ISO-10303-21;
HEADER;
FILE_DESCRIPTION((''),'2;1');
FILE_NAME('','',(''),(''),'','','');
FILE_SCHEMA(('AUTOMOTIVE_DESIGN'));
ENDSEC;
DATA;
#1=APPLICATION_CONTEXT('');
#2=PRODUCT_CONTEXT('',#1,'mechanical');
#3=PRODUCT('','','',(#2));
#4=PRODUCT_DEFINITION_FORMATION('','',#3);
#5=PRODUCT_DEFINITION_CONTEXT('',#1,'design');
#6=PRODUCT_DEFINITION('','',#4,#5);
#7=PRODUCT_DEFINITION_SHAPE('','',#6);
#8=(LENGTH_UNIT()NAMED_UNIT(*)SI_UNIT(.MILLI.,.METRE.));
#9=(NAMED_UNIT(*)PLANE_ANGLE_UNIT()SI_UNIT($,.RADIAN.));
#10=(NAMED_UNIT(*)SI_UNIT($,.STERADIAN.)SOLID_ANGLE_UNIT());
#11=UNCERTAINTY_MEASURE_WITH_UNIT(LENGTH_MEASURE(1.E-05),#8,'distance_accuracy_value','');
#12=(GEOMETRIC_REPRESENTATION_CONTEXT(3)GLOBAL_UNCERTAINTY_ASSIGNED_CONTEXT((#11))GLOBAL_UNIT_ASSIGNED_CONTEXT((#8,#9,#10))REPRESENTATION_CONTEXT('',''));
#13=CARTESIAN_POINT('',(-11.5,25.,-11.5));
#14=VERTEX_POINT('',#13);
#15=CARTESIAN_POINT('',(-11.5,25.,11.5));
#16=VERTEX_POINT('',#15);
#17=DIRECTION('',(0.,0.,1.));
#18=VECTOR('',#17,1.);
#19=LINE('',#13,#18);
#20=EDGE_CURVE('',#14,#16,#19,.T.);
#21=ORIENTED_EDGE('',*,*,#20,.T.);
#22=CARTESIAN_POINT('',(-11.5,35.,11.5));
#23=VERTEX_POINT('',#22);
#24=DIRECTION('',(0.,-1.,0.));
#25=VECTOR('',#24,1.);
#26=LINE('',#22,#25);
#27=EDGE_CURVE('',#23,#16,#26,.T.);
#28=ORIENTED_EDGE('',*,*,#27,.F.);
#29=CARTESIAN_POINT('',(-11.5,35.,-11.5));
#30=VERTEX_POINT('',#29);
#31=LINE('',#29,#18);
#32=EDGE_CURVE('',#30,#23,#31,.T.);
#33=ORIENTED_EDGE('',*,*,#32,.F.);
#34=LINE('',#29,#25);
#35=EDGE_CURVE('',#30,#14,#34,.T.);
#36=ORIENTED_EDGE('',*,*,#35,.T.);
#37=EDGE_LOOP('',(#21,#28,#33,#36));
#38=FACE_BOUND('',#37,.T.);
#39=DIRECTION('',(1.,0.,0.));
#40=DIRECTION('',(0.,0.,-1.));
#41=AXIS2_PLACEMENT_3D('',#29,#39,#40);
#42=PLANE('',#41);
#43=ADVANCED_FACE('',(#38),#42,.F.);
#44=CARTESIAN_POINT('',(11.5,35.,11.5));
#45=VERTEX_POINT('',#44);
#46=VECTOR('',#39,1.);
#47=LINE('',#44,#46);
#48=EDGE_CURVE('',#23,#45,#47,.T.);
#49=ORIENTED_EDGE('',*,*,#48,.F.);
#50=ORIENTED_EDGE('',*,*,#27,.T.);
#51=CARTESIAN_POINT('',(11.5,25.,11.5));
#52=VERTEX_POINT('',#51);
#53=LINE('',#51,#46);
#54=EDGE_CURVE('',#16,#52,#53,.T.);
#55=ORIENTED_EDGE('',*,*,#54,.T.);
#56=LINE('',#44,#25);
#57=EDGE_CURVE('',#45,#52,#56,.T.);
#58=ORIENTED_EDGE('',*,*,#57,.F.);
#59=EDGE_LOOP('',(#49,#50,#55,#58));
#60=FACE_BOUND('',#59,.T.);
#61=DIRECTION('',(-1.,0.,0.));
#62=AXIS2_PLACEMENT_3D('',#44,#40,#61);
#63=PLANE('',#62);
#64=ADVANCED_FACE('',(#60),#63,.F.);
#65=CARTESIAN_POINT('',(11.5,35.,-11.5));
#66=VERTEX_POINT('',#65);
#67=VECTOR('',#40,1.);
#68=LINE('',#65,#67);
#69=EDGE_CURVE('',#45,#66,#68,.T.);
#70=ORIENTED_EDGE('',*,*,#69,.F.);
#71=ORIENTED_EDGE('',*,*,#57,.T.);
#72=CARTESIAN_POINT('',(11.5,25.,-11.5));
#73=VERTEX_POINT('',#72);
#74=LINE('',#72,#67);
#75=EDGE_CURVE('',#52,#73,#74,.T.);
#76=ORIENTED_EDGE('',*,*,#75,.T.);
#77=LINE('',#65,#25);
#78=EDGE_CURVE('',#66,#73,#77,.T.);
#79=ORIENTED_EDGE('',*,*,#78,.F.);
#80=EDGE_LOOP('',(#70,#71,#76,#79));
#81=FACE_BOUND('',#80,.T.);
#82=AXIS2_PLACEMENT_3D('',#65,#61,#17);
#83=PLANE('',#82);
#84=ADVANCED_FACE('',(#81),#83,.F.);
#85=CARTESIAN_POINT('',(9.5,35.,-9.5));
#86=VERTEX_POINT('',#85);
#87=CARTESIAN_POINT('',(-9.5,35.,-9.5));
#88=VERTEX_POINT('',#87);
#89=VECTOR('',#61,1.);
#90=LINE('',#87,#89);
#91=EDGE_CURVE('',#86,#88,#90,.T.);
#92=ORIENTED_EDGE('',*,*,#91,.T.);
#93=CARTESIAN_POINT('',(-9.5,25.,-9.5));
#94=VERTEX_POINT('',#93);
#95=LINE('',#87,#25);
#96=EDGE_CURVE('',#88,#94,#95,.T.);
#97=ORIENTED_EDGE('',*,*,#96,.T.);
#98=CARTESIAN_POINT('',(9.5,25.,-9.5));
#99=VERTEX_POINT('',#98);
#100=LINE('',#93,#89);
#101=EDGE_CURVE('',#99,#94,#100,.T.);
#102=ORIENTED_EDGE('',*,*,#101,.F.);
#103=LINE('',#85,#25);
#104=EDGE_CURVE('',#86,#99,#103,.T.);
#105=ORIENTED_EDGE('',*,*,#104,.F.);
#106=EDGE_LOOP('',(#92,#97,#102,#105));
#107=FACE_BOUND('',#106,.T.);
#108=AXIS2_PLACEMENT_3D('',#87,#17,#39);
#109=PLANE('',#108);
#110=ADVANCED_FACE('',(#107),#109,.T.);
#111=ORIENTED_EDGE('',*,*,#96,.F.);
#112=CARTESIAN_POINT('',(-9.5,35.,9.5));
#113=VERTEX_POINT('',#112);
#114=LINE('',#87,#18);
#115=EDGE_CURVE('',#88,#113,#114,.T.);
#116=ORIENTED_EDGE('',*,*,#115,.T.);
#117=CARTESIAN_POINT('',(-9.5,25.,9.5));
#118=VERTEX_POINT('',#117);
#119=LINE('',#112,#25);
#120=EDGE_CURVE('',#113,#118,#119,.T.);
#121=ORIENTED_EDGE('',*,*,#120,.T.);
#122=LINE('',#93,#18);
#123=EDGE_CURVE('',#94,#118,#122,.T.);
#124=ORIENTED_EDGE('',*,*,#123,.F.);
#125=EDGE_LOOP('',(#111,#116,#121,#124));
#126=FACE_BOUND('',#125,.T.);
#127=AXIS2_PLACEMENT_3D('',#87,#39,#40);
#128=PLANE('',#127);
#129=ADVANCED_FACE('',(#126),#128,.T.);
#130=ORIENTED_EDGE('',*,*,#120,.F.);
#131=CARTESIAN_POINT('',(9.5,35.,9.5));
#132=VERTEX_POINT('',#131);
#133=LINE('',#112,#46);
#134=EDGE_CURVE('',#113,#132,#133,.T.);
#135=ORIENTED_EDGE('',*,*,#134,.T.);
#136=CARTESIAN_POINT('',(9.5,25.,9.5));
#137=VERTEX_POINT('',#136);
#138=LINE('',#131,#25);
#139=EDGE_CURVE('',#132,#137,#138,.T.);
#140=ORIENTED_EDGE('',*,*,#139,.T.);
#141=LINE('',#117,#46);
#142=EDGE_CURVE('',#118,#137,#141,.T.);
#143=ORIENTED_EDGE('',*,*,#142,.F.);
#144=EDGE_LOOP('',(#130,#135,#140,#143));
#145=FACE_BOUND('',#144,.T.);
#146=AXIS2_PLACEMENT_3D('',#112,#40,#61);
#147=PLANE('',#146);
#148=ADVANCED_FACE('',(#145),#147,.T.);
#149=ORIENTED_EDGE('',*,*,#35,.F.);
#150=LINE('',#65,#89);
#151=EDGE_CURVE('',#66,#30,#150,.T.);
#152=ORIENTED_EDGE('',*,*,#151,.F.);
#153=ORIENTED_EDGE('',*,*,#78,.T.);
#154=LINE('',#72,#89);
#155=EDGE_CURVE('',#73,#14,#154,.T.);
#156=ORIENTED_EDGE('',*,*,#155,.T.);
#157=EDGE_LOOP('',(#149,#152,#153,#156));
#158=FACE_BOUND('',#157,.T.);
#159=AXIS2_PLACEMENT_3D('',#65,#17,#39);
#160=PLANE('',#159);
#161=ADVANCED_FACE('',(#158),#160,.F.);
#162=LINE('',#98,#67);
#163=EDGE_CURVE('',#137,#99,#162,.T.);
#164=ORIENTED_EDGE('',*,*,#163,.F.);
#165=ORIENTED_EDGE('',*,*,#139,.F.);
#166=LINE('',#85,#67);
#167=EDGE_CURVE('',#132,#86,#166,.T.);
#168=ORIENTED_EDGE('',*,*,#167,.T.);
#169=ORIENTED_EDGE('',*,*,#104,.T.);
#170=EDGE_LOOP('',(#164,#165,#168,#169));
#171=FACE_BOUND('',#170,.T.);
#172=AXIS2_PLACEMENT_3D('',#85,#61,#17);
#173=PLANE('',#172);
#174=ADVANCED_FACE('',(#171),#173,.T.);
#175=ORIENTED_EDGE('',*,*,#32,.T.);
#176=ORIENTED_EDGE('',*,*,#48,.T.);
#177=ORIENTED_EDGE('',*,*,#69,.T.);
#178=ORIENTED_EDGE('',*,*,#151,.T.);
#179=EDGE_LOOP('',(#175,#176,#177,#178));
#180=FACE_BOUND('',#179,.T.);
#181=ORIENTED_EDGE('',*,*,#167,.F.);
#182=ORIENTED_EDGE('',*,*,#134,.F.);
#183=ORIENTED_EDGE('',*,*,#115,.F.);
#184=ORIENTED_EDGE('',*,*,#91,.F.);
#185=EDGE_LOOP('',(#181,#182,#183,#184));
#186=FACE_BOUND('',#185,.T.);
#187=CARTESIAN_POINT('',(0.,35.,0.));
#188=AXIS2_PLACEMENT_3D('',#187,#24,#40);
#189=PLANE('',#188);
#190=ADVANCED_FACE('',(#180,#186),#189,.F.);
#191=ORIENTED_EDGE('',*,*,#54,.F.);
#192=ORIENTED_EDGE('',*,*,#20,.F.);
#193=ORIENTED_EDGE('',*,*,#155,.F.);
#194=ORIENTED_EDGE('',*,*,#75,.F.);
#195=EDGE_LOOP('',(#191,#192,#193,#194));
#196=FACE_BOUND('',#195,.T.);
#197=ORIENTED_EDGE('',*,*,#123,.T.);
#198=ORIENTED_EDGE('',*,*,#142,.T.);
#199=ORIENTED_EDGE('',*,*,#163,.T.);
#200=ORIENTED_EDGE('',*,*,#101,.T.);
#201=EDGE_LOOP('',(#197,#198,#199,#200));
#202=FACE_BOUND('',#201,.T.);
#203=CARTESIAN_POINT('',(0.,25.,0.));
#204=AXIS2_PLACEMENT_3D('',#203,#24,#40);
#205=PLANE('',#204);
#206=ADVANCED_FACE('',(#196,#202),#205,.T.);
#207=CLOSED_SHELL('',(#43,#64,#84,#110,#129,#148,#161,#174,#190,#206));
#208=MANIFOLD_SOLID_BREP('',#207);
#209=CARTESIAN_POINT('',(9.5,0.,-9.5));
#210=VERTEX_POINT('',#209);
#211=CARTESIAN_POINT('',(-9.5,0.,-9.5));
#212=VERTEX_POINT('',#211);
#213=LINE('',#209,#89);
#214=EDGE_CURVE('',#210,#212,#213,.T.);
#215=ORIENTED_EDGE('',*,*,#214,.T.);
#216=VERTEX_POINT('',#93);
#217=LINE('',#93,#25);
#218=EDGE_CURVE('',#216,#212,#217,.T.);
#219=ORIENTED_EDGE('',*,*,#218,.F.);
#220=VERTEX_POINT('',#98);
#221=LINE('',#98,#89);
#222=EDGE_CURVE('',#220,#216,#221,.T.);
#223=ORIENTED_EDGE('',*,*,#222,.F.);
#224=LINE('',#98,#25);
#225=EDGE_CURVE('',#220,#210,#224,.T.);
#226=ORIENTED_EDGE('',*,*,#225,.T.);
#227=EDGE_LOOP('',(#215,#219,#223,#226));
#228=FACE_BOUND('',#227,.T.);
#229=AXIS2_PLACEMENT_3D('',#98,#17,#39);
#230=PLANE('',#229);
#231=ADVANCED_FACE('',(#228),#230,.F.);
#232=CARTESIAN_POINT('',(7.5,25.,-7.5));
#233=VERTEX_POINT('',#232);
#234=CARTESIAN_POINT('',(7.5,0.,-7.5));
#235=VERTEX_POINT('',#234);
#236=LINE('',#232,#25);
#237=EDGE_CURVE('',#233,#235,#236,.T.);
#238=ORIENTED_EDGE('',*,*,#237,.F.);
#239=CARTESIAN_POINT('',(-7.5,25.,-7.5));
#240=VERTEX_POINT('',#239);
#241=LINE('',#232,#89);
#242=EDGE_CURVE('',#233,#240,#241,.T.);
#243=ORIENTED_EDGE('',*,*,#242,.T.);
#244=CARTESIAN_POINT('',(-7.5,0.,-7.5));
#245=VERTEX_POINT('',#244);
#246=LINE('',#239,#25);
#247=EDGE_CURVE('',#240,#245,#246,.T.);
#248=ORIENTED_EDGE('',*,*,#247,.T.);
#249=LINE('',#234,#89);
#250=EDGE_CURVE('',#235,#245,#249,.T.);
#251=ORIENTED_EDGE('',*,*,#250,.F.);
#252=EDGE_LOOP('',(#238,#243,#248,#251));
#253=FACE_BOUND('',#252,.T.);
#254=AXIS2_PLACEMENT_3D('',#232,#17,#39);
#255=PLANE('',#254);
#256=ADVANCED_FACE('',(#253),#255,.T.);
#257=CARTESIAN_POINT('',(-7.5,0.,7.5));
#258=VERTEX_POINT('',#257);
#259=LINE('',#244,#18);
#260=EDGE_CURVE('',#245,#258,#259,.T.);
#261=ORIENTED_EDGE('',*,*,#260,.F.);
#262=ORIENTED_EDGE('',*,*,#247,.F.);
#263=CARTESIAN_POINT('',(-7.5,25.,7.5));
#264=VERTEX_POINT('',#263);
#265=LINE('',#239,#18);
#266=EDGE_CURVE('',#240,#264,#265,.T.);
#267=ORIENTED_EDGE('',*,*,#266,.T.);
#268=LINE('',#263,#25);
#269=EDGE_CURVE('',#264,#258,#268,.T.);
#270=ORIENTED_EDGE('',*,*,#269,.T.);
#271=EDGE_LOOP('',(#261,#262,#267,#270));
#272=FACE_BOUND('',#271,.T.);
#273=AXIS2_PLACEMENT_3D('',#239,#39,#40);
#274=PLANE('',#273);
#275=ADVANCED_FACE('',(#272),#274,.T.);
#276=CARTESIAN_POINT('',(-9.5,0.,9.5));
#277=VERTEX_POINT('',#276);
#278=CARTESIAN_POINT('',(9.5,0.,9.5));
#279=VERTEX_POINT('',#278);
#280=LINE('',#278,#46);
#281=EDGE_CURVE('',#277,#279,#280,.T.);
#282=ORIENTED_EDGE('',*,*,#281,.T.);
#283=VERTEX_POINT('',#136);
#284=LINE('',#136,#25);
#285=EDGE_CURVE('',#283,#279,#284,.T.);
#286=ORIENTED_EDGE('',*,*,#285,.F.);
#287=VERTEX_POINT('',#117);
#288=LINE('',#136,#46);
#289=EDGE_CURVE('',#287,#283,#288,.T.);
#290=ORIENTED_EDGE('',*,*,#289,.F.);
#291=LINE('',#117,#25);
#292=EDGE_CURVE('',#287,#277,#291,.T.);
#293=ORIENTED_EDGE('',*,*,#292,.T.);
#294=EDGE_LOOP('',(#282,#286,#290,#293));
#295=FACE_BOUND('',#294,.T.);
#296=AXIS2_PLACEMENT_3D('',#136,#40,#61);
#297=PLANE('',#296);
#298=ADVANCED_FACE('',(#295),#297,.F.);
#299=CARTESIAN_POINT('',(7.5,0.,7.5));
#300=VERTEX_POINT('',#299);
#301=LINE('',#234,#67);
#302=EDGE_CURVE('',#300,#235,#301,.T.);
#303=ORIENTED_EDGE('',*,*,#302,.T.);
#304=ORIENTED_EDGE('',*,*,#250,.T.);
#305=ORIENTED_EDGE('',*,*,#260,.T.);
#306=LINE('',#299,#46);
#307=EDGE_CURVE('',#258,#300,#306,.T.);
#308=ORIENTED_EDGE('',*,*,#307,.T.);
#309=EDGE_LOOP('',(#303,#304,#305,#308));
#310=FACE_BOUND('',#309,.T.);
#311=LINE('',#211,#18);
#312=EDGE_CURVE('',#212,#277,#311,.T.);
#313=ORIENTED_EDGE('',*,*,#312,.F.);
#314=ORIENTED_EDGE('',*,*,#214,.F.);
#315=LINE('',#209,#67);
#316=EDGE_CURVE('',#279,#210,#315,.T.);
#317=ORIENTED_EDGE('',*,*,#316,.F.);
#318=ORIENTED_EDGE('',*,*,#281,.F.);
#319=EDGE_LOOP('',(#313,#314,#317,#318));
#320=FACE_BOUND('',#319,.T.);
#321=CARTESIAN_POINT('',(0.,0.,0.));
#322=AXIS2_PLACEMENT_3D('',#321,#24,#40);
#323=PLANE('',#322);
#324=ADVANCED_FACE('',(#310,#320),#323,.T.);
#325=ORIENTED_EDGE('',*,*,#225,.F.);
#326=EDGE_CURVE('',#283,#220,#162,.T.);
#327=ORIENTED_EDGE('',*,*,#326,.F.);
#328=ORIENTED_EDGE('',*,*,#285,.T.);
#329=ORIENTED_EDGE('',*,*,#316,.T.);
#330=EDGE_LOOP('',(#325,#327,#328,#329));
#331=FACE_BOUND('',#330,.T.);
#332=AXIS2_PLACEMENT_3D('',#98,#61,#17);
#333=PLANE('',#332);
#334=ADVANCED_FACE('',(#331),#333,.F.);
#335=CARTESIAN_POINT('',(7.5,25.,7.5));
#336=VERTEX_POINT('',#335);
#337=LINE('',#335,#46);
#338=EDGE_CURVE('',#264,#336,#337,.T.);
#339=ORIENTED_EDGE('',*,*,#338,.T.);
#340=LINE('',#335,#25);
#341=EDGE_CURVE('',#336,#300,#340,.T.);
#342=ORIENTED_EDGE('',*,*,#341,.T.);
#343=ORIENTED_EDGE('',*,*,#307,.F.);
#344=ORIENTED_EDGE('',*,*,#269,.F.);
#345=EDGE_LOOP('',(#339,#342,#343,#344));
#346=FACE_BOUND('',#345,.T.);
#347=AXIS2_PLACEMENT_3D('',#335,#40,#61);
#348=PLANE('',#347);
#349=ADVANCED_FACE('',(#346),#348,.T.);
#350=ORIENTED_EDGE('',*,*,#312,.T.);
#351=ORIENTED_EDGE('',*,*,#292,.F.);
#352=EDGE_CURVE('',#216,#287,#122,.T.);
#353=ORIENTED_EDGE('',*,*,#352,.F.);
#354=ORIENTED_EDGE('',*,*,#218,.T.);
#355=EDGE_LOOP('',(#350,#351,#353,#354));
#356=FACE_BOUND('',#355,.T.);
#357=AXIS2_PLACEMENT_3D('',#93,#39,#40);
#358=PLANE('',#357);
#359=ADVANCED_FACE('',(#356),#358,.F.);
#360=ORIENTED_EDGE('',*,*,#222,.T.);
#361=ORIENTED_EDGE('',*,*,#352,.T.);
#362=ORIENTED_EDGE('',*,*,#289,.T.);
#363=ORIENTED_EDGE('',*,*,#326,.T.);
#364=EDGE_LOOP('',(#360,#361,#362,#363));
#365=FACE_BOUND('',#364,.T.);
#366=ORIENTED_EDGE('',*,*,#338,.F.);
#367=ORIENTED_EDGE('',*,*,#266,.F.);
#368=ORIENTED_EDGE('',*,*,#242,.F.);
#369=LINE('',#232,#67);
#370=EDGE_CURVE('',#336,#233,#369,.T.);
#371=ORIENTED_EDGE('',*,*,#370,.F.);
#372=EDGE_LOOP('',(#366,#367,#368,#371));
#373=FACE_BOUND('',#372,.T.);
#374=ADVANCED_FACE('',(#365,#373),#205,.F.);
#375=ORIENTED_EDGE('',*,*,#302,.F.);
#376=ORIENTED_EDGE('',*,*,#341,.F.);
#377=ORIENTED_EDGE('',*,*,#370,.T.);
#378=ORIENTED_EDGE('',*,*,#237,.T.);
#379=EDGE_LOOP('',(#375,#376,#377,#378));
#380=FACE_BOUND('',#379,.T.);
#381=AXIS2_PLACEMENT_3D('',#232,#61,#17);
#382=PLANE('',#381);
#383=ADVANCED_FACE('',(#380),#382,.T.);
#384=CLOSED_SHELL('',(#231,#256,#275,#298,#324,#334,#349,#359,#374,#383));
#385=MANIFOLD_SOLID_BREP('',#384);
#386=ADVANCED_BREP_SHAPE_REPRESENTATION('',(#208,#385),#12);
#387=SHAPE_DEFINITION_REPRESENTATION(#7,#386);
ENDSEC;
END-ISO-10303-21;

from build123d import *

# Parameters (mm, degrees)
CROQUIS1_W              = 19
CROQUIS1_H              = 19
CROQUIS1_W_2            = 15
CROQUIS1_H_2            = 15
SALIENTE_EXTRUIR1_DEPTH = 25
CROQUIS2_W              = 23
CROQUIS2_H              = 23
CROQUIS2_W_2            = 19
CROQUIS2_H_2            = 19
SALIENTE_EXTRUIR2_DEPTH = 10


with BuildPart() as part:
    # Croquis1 → Saliente-Extruir1 (new body)
    with BuildSketch(Plane(origin=(0, 0, 0), x_dir=(1, 0, 0), z_dir=(0, 1, 0))):
        Rectangle(CROQUIS1_W, CROQUIS1_H)
        Rectangle(CROQUIS1_W_2, CROQUIS1_H_2, mode=Mode.SUBTRACT)
    extrude(amount=SALIENTE_EXTRUIR1_DEPTH)


with BuildPart() as body_2:
    # Croquis2 → Saliente-Extruir2 (new body)
    with BuildSketch(Plane(origin=(0, 25, 0), x_dir=(1, 0, 0), z_dir=(0, 1, 0))):
        Rectangle(CROQUIS2_W, CROQUIS2_H)
        Rectangle(CROQUIS2_W_2, CROQUIS2_H_2, mode=Mode.SUBTRACT)
    extrude(amount=SALIENTE_EXTRUIR2_DEPTH)


solid = Compound([part.part, body_2.part])
